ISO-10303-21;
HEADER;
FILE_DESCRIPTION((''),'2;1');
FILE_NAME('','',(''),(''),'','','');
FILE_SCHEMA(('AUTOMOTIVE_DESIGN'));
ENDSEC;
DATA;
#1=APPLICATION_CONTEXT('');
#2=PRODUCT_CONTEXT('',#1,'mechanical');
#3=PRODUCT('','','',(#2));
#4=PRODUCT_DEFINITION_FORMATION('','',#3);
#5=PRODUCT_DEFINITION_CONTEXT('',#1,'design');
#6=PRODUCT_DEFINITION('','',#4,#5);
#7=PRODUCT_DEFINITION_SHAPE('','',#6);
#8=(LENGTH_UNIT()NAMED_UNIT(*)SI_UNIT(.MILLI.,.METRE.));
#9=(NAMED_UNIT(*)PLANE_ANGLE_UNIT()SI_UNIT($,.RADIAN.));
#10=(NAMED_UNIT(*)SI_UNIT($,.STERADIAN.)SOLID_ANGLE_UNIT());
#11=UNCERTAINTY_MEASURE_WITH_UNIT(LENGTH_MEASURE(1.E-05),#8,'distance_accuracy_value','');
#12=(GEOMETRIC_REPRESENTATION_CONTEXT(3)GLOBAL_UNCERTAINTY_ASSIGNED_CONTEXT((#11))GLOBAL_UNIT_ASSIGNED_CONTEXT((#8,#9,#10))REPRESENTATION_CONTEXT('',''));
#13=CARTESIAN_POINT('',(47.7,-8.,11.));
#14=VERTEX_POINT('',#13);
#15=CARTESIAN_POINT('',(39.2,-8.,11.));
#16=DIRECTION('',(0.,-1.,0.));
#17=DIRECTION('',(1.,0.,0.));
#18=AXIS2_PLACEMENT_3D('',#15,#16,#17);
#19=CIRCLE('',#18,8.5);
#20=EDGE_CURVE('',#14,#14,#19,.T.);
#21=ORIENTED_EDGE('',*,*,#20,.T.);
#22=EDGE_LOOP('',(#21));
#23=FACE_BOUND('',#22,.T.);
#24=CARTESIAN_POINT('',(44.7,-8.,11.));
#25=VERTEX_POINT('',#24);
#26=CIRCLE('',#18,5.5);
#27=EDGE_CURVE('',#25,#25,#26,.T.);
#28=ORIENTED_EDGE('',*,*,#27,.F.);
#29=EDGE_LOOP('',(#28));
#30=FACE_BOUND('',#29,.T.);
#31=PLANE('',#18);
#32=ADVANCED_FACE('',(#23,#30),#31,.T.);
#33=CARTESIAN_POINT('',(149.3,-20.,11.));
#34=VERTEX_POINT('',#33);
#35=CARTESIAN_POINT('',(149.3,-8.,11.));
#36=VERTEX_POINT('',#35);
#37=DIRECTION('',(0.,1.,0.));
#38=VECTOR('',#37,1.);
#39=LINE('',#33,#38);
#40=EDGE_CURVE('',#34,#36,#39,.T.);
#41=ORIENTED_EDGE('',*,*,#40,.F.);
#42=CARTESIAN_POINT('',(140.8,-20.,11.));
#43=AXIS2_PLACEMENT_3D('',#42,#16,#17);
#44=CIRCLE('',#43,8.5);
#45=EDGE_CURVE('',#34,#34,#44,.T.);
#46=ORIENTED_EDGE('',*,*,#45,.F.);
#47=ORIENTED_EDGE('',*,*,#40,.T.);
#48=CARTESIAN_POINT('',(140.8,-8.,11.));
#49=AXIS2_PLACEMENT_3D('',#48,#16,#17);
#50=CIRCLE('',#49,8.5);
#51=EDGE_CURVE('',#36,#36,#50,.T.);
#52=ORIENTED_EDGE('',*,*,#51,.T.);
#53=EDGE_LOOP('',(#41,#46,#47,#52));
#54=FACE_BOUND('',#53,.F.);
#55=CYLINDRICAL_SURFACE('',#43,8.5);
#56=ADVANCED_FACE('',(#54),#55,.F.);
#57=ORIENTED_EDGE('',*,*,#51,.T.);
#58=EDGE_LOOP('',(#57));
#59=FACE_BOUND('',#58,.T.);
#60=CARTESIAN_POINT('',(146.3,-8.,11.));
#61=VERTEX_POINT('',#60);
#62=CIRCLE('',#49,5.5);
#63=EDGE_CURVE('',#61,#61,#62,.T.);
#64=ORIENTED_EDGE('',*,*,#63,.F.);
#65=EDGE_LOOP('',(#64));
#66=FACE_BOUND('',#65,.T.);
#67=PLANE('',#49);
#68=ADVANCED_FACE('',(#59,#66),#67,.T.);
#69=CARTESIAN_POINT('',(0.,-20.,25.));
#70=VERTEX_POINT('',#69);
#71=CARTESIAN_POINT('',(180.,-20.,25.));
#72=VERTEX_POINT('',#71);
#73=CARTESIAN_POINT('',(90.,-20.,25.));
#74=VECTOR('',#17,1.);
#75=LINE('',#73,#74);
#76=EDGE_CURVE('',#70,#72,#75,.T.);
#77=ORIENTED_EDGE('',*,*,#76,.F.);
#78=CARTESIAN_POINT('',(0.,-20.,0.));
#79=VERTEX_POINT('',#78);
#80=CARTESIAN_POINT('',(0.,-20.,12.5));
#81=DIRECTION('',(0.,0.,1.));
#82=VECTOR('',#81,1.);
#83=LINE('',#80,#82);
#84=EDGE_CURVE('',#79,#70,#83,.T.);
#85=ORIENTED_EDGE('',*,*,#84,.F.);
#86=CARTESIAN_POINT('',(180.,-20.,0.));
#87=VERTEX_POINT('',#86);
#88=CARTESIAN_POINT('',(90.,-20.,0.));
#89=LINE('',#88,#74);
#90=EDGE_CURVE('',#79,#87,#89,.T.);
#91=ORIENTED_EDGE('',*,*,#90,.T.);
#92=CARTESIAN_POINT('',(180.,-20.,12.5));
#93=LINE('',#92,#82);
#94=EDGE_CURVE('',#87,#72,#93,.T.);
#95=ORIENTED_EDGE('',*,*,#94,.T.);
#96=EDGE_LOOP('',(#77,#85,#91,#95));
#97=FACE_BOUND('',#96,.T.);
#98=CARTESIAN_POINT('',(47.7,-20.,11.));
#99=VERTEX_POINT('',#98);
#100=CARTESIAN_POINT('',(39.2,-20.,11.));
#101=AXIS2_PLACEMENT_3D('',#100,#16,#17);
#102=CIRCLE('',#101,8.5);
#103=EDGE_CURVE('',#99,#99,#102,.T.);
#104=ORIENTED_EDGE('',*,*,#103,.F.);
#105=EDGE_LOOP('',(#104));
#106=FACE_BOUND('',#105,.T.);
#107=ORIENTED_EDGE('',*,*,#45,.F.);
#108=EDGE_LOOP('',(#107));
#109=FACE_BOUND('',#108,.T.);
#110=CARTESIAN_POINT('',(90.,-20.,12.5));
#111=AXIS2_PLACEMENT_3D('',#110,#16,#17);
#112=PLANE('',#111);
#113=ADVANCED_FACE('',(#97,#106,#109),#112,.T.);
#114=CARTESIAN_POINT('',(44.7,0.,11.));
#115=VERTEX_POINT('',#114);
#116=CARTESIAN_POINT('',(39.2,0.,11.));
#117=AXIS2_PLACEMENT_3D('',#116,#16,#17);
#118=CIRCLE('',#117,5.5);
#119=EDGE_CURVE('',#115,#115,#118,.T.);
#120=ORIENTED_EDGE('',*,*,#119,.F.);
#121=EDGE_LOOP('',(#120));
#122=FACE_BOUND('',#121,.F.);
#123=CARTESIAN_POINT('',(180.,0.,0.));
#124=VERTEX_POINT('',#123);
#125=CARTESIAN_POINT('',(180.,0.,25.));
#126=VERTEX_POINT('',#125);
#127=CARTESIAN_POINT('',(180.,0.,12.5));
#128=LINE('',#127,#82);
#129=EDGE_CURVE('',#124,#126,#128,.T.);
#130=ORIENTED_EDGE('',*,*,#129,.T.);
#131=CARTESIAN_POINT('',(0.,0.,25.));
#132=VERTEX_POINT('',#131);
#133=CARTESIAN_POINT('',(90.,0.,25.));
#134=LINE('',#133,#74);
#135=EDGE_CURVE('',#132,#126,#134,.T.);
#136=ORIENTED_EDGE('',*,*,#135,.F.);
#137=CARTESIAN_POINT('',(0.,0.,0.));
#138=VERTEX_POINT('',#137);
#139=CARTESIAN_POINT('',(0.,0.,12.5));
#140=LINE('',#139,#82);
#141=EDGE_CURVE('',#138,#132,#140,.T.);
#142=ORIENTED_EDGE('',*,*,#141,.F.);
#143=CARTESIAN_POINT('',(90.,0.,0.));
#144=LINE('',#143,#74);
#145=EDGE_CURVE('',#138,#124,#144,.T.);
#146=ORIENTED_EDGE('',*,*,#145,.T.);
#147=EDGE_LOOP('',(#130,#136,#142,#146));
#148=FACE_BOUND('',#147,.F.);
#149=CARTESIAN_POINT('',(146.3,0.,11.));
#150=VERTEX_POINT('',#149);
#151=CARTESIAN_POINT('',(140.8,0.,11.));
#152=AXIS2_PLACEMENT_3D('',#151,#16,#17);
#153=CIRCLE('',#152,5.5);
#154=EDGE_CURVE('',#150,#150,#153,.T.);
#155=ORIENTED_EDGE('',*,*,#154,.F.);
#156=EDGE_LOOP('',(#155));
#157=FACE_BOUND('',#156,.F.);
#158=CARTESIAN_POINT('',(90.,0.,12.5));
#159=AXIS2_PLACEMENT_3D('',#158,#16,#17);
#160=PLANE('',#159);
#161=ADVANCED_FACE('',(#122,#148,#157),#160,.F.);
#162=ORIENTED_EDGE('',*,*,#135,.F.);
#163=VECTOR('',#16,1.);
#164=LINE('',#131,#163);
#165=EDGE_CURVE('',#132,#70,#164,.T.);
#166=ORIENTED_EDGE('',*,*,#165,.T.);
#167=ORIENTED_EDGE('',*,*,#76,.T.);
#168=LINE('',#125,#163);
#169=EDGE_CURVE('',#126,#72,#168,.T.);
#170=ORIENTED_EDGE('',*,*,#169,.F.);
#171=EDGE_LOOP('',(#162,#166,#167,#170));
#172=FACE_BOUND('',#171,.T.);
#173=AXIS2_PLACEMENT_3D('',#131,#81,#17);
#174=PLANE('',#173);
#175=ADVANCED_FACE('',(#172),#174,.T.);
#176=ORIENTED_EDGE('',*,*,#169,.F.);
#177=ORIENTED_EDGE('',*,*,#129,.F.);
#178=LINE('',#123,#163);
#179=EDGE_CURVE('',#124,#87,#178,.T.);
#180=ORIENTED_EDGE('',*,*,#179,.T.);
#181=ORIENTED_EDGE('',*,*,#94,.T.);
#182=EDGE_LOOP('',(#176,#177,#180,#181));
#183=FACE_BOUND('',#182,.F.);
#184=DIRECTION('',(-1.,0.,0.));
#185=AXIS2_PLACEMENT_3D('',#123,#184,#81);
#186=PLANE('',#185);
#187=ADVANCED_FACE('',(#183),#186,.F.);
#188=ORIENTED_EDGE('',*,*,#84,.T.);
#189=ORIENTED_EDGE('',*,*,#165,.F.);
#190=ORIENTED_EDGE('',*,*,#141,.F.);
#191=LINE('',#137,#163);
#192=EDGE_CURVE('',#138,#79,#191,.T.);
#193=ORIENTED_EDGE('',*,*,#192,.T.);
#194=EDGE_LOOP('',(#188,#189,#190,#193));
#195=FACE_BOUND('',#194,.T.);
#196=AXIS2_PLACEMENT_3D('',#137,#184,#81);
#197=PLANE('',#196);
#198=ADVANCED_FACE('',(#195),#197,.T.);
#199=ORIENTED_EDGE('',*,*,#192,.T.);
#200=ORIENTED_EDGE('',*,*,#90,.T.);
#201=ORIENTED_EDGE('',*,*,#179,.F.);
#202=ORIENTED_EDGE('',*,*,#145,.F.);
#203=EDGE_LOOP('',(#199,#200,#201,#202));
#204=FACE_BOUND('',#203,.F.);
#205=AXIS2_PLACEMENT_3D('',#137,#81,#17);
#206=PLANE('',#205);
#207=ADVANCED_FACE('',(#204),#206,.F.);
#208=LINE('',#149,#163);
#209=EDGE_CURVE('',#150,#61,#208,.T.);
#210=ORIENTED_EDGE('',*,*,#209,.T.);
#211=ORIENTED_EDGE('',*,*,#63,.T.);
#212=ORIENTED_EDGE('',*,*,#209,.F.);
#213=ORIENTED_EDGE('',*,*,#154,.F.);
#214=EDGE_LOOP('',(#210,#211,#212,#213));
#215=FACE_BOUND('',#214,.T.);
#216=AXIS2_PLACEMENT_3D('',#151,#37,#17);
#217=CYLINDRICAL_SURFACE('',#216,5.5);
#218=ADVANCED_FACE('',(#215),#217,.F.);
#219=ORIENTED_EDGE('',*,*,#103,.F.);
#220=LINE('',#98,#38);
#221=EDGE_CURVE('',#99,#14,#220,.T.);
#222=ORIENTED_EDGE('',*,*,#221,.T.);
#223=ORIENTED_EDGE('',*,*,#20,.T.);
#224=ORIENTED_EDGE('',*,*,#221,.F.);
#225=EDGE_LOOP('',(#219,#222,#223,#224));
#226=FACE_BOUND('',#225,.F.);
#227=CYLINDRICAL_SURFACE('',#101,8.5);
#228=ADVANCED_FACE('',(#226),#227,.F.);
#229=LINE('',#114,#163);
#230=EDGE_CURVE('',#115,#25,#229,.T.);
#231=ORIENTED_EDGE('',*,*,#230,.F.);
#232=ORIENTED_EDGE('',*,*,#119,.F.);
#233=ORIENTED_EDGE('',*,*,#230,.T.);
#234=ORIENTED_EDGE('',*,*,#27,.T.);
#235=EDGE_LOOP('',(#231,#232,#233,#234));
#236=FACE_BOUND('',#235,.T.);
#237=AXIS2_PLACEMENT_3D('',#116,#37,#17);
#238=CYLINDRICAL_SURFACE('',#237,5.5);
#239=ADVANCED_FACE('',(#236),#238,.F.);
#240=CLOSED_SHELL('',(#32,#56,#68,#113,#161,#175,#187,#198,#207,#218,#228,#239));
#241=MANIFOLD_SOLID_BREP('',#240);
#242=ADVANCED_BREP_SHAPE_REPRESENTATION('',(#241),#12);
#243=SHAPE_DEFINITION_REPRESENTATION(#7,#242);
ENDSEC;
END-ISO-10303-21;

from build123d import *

# Parameters (mm, degrees)
F0_W     = 180
F0_H     = 25
F0_R     = 5.5
F1_DEPTH = 20
F2_R     = 8.5
F2_R_2   = 5.5
F3_DEPTH = 12


with BuildPart() as f1:
    # F0 (on Front) → F1 (new body)
    with BuildSketch(Plane.XZ):
        with Locations((90, 12.5)):
            Rectangle(F0_W, F0_H)
        with Locations((39.2, 11)):
            Circle(F0_R, mode=Mode.SUBTRACT)
        with Locations((140.8, 11)):
            Circle(F0_R, mode=Mode.SUBTRACT)
    extrude(amount=F1_DEPTH)

    # F2 (on face) → F3 (cut)
    with BuildSketch(Plane.XZ.offset(20)):
        with Locations((39.2, 11)):
            Circle(F2_R)
        with Locations((39.2, 11)):
            Circle(F2_R_2, mode=Mode.SUBTRACT)
        with Locations((140.8, 11)):
            Circle(F2_R)
        with Locations((140.8, 11)):
            Circle(F2_R_2, mode=Mode.SUBTRACT)
    extrude(amount=-F3_DEPTH, mode=Mode.SUBTRACT)


solid = f1.part
